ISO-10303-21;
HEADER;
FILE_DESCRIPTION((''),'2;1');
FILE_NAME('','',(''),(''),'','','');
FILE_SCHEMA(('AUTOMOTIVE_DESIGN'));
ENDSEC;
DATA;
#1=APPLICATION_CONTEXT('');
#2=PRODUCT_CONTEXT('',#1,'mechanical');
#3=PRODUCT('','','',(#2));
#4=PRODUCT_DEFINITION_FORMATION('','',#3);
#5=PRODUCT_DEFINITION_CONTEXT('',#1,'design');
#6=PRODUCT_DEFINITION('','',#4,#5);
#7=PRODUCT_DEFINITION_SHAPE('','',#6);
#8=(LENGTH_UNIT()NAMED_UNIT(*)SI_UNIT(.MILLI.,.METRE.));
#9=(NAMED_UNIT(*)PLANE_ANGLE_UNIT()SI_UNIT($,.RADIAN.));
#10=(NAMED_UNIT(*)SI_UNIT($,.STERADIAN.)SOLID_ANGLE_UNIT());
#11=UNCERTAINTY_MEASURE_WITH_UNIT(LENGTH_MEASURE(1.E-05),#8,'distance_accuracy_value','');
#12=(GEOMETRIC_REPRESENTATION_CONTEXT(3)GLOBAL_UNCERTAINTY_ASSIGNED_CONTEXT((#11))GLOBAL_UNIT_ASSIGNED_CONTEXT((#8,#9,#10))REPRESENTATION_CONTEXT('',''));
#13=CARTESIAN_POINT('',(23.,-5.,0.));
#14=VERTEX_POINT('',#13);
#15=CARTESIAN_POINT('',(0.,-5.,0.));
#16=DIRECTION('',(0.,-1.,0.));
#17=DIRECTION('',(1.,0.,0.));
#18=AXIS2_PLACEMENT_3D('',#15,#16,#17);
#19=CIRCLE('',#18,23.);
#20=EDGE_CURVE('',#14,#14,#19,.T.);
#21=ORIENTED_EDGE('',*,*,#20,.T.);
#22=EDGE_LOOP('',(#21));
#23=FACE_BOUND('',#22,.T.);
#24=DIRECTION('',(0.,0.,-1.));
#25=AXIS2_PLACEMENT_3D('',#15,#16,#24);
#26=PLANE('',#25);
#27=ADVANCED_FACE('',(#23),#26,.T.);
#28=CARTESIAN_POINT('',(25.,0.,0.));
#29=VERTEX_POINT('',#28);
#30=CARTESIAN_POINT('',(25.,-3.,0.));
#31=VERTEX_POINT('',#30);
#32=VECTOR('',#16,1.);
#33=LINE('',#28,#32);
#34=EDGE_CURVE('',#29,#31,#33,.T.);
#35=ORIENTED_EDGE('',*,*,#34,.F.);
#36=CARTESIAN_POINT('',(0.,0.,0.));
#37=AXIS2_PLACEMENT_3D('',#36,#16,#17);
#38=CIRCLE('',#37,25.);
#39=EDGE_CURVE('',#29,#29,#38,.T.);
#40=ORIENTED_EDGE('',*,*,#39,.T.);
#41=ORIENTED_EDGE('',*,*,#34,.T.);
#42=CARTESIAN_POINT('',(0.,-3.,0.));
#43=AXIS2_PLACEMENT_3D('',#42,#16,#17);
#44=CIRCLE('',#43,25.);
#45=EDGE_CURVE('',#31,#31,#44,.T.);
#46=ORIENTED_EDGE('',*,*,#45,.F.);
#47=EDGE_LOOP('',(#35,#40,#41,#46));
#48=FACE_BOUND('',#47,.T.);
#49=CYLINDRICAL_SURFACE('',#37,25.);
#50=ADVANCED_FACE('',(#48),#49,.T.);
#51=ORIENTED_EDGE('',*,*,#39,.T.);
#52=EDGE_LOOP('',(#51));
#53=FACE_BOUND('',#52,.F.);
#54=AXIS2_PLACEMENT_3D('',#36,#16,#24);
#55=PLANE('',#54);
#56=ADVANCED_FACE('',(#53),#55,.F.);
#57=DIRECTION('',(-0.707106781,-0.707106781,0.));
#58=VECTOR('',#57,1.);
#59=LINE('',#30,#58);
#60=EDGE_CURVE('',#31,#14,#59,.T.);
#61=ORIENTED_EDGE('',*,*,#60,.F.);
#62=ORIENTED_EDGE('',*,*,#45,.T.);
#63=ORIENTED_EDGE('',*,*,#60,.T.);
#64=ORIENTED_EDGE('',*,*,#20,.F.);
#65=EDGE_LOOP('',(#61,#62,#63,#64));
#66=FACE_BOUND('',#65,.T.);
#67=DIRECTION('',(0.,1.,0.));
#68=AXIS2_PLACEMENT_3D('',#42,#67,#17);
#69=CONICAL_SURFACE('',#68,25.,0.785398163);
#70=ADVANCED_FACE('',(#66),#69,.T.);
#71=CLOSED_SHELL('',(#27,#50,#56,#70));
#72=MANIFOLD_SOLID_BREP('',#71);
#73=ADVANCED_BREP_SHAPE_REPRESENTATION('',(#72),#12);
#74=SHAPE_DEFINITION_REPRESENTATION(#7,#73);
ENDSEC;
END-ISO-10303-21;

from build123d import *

# Parameters (mm, degrees)
F0_R    = 25
F3_SIZE = 2


with BuildPart() as f2:
    # F2: sweep along a path in F1
    with BuildLine(Plane.YZ) as f2_path:
        Line((0, 0), (-5, 0))
    # F0 (on Front) → F2 (sweep)
    with BuildSketch(Plane.XZ):
        Circle(F0_R)
    sweep(path=f2_path.line)

    # F3
    f3_edges = [f2.edges().sort_by_distance(p)[0] for p in [
        (-25, -5, 0),
    ]]
    chamfer(f3_edges, length=F3_SIZE)


solid = f2.part
